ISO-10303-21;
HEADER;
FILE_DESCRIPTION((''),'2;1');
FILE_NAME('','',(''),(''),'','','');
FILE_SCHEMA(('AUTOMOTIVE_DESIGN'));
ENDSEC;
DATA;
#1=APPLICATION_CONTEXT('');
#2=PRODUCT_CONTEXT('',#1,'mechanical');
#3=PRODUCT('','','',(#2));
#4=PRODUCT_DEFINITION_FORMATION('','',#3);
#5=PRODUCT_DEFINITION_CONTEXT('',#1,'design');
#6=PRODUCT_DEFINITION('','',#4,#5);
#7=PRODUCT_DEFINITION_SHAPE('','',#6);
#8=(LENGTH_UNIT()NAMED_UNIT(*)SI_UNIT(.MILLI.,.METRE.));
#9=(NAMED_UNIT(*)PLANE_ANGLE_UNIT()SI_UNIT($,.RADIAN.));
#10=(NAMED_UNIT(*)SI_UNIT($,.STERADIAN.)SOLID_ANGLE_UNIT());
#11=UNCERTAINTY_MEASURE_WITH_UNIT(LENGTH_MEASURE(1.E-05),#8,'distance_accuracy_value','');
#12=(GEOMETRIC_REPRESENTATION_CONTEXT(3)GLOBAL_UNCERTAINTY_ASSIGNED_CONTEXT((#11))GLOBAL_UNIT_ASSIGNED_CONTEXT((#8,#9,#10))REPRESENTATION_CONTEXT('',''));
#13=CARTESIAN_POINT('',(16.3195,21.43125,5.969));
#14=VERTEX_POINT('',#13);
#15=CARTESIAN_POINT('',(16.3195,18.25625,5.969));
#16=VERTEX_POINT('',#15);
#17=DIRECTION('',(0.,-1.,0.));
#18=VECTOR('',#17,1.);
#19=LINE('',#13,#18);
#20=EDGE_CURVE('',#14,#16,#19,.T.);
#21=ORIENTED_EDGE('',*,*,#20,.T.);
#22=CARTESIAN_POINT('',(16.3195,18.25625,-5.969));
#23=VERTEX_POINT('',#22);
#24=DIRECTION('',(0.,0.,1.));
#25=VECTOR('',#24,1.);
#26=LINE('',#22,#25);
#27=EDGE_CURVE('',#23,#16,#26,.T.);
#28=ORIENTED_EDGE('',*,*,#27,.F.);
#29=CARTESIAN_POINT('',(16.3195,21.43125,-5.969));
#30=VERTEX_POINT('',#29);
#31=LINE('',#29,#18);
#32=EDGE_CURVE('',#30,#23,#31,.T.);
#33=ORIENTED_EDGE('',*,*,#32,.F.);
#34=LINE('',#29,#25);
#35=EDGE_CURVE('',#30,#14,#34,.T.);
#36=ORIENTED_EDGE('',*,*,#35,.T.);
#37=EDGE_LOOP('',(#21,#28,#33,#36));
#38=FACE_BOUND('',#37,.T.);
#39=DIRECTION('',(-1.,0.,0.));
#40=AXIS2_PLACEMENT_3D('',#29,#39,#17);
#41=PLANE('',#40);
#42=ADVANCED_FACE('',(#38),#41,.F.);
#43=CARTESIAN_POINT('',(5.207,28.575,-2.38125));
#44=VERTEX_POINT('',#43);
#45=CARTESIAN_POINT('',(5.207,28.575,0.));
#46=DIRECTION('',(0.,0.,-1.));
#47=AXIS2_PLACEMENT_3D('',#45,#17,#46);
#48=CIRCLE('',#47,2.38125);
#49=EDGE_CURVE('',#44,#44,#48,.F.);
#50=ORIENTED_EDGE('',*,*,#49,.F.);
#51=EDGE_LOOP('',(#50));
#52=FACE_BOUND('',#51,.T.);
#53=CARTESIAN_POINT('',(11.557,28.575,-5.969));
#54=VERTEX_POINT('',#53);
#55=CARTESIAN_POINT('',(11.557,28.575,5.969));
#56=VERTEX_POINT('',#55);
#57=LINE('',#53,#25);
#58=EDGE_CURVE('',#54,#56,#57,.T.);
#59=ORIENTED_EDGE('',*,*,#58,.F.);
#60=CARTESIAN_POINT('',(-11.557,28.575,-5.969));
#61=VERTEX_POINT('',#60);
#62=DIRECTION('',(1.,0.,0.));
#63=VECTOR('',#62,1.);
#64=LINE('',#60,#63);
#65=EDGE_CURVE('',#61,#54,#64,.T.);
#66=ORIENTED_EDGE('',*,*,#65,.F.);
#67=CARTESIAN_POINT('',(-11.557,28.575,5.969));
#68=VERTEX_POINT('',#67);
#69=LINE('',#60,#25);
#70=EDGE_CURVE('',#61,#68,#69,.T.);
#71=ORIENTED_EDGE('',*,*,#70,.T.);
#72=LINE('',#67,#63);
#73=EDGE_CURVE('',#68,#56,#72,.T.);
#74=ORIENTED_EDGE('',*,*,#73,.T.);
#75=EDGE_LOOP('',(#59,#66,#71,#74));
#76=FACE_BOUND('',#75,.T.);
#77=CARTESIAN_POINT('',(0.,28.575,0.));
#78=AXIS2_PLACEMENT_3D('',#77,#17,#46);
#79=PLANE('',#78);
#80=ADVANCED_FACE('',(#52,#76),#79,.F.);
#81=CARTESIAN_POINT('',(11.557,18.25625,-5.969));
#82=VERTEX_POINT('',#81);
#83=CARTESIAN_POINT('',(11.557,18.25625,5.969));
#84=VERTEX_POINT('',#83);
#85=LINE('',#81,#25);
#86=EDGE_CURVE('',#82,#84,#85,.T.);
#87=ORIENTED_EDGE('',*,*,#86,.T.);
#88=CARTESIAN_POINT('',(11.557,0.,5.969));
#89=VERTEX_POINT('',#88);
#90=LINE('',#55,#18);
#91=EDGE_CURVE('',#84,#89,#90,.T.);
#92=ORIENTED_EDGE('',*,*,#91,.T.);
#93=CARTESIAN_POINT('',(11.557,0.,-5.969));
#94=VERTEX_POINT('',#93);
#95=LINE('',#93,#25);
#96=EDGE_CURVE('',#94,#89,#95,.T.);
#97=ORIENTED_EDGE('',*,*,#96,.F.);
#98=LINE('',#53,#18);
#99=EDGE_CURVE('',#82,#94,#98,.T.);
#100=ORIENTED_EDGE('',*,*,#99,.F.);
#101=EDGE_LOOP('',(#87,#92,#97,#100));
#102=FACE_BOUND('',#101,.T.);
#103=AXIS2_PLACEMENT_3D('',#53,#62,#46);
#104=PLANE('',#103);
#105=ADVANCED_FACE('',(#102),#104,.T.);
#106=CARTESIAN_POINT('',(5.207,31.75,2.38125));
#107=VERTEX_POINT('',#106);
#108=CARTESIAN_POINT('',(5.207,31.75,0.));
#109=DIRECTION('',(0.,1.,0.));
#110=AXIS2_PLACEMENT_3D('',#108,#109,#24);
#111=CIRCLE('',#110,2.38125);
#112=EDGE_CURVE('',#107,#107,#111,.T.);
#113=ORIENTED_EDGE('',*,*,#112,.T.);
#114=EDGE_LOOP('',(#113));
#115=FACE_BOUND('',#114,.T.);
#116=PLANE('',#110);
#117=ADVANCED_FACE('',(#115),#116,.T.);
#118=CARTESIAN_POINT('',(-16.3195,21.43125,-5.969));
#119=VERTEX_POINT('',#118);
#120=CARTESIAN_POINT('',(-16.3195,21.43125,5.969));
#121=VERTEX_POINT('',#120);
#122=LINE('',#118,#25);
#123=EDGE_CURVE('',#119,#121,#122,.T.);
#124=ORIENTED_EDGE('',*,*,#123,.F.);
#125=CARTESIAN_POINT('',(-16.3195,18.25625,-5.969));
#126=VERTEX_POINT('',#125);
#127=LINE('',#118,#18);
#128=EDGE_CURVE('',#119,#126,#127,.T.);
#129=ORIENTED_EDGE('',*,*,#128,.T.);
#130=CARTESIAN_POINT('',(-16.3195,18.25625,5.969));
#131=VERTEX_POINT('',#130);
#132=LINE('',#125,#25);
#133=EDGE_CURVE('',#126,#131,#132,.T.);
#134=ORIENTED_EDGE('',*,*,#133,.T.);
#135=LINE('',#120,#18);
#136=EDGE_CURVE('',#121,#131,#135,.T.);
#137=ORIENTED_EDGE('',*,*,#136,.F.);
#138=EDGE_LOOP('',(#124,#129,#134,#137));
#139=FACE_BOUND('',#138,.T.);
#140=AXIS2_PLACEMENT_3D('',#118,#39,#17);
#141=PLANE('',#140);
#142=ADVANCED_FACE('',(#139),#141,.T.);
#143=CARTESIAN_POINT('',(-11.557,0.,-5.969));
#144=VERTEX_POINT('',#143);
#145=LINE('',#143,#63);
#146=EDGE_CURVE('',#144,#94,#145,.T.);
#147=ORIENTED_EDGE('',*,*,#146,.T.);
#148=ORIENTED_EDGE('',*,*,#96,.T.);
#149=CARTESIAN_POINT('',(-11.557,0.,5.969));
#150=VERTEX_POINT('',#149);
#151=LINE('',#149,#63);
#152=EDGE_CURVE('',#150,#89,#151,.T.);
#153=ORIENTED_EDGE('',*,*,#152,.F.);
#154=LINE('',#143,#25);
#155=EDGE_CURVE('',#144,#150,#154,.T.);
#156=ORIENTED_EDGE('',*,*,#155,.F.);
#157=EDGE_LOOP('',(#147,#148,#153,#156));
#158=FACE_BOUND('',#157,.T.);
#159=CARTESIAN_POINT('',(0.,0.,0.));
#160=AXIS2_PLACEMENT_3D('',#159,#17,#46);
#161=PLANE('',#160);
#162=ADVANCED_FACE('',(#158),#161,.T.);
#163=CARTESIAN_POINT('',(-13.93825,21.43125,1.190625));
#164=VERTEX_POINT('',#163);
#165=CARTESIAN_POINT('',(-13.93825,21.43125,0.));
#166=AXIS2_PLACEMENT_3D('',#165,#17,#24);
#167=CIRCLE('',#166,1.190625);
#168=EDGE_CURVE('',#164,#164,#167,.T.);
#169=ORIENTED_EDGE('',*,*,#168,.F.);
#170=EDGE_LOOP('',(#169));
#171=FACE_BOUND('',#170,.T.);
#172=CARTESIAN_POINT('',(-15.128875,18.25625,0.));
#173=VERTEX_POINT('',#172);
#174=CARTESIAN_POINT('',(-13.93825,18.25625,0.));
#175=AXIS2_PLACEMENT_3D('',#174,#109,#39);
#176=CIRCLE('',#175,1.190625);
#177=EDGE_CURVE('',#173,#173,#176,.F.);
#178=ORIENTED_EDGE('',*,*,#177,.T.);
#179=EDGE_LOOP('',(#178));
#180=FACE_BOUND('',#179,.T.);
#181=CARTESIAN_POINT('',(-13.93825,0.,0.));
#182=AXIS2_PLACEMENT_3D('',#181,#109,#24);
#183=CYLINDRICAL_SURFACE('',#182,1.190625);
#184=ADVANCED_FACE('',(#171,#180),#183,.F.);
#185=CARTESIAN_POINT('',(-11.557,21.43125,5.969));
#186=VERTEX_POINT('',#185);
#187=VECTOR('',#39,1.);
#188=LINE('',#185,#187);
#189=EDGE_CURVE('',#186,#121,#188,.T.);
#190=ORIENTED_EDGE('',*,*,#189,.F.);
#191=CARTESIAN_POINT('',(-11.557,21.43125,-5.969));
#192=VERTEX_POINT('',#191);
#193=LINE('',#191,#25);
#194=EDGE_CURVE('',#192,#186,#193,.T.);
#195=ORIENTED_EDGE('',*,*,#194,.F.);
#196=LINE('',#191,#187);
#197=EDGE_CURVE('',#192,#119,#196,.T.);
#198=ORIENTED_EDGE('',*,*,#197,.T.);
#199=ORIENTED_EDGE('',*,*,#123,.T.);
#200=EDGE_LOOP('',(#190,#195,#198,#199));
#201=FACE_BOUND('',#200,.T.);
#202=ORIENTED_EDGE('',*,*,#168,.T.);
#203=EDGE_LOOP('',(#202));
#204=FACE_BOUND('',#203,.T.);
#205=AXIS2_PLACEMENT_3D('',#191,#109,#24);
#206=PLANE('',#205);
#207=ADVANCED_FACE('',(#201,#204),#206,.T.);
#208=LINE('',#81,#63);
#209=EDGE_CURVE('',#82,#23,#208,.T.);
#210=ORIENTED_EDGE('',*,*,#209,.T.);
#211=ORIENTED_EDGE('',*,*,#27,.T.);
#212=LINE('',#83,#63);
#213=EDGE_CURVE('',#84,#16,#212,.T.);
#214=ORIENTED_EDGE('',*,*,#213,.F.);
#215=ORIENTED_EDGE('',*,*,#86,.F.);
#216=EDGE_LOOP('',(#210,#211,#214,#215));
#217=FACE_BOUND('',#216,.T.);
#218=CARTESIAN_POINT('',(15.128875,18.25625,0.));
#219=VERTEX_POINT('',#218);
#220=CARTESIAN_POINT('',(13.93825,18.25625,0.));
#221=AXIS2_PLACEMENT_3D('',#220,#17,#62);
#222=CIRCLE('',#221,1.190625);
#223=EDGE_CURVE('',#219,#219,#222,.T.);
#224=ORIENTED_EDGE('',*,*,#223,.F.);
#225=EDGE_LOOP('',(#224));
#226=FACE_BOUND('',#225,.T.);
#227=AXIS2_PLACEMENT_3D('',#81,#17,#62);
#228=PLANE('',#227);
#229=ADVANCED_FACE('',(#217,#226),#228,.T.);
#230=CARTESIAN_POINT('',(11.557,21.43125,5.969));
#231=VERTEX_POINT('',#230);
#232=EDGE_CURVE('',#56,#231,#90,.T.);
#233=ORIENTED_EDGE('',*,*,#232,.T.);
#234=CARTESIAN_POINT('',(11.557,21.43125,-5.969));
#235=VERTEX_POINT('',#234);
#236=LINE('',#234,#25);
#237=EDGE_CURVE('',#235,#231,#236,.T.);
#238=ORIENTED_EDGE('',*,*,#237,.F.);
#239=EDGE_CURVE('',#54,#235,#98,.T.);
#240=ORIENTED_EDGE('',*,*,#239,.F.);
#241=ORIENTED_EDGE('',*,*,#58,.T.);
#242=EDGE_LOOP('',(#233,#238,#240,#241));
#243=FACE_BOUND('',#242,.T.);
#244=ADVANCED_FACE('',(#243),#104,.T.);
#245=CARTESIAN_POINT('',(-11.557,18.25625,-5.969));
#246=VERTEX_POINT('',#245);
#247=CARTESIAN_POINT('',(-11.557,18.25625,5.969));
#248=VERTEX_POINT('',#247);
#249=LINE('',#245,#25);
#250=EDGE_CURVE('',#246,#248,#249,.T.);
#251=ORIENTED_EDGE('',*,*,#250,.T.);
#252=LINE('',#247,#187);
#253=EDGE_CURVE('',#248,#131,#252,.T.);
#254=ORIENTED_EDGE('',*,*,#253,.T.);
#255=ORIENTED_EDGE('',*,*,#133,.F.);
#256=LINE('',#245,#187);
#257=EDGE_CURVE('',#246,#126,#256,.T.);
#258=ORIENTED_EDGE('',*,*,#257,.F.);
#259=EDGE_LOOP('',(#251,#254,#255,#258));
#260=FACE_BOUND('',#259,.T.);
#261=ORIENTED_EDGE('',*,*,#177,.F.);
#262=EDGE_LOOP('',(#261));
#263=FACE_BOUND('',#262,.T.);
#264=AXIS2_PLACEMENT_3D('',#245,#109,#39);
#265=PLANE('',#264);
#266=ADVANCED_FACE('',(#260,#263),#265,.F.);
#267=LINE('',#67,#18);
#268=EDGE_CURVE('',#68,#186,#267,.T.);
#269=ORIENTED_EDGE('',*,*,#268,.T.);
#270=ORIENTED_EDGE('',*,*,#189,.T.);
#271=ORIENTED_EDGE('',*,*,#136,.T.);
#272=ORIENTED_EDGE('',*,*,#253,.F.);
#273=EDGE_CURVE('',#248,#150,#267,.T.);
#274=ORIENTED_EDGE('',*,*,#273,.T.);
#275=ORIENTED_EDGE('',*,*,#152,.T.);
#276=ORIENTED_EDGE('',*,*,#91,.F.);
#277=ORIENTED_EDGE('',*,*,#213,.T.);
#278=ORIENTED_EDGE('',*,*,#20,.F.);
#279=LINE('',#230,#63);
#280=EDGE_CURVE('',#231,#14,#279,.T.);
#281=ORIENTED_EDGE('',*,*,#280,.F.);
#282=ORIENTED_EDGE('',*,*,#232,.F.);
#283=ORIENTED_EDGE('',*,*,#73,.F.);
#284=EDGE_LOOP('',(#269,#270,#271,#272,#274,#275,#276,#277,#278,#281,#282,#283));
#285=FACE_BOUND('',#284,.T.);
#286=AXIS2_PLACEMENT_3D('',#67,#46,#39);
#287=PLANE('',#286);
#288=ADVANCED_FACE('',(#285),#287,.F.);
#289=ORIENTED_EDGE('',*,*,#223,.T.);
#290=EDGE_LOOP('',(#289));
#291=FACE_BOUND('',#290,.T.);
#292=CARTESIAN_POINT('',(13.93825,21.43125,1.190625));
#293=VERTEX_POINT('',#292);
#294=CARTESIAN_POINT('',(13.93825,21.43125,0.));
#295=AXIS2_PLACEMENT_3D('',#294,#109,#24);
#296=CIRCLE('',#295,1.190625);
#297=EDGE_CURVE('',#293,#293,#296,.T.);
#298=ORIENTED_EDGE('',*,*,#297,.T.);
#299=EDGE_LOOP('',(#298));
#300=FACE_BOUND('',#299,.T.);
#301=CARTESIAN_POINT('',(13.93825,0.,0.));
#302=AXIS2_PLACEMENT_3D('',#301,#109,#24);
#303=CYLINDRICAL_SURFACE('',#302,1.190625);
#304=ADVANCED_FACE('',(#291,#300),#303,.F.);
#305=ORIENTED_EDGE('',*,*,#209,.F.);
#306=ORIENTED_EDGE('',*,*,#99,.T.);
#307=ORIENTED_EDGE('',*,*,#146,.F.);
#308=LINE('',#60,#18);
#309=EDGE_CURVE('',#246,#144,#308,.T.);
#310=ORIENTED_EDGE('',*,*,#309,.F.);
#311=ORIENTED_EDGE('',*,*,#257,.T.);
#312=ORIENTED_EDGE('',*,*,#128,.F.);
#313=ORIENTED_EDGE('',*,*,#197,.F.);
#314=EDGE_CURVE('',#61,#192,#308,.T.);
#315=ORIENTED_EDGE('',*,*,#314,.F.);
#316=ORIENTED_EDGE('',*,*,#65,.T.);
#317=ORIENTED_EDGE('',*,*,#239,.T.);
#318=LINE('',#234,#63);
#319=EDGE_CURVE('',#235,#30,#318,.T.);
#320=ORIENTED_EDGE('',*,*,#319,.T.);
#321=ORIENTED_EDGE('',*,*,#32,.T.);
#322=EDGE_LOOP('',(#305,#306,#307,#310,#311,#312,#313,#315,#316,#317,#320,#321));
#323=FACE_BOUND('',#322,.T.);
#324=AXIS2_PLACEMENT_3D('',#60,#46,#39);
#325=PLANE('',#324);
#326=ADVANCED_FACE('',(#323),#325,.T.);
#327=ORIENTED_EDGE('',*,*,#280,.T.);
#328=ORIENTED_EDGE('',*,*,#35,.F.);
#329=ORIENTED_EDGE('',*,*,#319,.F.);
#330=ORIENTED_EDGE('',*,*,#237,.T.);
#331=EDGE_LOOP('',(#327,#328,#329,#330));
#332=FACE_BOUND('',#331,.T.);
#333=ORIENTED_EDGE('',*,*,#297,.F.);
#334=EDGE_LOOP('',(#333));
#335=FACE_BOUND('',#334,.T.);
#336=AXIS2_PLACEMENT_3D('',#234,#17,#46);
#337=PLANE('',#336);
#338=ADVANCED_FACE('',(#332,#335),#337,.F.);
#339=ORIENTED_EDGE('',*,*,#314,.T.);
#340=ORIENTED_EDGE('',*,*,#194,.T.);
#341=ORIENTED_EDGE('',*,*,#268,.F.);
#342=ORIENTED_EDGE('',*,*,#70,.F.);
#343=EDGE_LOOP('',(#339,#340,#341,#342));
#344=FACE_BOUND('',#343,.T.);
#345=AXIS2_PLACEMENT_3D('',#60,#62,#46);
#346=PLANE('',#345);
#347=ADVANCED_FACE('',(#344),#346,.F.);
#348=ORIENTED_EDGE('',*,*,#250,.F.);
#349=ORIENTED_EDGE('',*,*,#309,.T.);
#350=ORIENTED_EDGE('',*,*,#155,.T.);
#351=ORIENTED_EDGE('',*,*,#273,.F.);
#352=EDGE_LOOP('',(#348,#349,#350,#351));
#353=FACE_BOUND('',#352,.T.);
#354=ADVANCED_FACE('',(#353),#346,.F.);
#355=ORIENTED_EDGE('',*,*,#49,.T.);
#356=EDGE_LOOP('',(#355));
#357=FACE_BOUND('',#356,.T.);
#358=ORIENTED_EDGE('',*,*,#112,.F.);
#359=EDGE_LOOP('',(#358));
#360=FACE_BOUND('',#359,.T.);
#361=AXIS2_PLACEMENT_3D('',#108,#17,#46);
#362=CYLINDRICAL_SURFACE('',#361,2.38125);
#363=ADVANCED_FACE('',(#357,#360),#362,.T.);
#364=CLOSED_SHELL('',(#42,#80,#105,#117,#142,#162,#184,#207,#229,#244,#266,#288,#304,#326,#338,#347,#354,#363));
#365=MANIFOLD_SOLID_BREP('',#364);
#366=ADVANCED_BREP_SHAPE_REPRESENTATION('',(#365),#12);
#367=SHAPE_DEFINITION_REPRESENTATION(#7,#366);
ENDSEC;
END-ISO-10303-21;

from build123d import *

# Parameters (mm, degrees)
SKETCH2_W           = 23.114
SKETCH2_H           = 11.938
BOSS_EXTRUDE1_DEPTH = 28.575
SKETCH3_W           = 4.7625
SKETCH3_H           = 3.175
BOSS_EXTRUDE2_DEPTH = 11.938
SKETCH5_R           = 2.38125
BOSS_EXTRUDE3_DEPTH = 3.175
SKETCH8_R           = 1.190625
CUT_EXTRUDE1_DEPTH  = 28.590823072


with BuildPart() as part:
    # Sketch2 → Boss-Extrude1 (new body)
    with BuildSketch(Plane(origin=(0, 0, 0), x_dir=(1, 0, 0), z_dir=(0, 1, 0))):
        Rectangle(SKETCH2_W, SKETCH2_H)
    extrude(amount=BOSS_EXTRUDE1_DEPTH)

    # Sketch3 → Boss-Extrude2 (add, through all)
    with BuildSketch(Plane.XY.offset(5.969)):
        with Locations((13.93825, 19.84375)):
            Rectangle(SKETCH3_W, SKETCH3_H)
    boss_extrude2 = extrude(amount=-BOSS_EXTRUDE2_DEPTH)

    # Mirror1: Boss-Extrude2 across plane
    add(boss_extrude2.mirror(Plane(origin=(0, 0, 0), x_dir=(0, 0, 1), z_dir=(1, 0, 0))))

    # Sketch5 → Boss-Extrude3 (add)
    with BuildSketch(Plane(origin=(0, 28.575, 0), x_dir=(1, 0, 0), z_dir=(0, 1, 0))):
        with Locations(Location((5.207, 0, 0), (0, 0, 90))):
            Circle(SKETCH5_R)
    extrude(amount=BOSS_EXTRUDE3_DEPTH)

    # Sketch8 → Cut-Extrude1 (cut, through all)
    with BuildSketch(Plane(origin=(0, 21.43125, 0), x_dir=(1, 0, 0), z_dir=(0, 1, 0))):
        with Locations(Location((13.93825, 0, 0), (0, 0, 270))):
            Circle(SKETCH8_R)
    cut_extrude1 = extrude(amount=-CUT_EXTRUDE1_DEPTH, mode=Mode.SUBTRACT)

    # Mirror2: Cut-Extrude1 across plane
    add(cut_extrude1.mirror(Plane(origin=(0, 0, 0), x_dir=(0, 0, 1), z_dir=(1, 0, 0))), mode=Mode.SUBTRACT)


solid = part.part
